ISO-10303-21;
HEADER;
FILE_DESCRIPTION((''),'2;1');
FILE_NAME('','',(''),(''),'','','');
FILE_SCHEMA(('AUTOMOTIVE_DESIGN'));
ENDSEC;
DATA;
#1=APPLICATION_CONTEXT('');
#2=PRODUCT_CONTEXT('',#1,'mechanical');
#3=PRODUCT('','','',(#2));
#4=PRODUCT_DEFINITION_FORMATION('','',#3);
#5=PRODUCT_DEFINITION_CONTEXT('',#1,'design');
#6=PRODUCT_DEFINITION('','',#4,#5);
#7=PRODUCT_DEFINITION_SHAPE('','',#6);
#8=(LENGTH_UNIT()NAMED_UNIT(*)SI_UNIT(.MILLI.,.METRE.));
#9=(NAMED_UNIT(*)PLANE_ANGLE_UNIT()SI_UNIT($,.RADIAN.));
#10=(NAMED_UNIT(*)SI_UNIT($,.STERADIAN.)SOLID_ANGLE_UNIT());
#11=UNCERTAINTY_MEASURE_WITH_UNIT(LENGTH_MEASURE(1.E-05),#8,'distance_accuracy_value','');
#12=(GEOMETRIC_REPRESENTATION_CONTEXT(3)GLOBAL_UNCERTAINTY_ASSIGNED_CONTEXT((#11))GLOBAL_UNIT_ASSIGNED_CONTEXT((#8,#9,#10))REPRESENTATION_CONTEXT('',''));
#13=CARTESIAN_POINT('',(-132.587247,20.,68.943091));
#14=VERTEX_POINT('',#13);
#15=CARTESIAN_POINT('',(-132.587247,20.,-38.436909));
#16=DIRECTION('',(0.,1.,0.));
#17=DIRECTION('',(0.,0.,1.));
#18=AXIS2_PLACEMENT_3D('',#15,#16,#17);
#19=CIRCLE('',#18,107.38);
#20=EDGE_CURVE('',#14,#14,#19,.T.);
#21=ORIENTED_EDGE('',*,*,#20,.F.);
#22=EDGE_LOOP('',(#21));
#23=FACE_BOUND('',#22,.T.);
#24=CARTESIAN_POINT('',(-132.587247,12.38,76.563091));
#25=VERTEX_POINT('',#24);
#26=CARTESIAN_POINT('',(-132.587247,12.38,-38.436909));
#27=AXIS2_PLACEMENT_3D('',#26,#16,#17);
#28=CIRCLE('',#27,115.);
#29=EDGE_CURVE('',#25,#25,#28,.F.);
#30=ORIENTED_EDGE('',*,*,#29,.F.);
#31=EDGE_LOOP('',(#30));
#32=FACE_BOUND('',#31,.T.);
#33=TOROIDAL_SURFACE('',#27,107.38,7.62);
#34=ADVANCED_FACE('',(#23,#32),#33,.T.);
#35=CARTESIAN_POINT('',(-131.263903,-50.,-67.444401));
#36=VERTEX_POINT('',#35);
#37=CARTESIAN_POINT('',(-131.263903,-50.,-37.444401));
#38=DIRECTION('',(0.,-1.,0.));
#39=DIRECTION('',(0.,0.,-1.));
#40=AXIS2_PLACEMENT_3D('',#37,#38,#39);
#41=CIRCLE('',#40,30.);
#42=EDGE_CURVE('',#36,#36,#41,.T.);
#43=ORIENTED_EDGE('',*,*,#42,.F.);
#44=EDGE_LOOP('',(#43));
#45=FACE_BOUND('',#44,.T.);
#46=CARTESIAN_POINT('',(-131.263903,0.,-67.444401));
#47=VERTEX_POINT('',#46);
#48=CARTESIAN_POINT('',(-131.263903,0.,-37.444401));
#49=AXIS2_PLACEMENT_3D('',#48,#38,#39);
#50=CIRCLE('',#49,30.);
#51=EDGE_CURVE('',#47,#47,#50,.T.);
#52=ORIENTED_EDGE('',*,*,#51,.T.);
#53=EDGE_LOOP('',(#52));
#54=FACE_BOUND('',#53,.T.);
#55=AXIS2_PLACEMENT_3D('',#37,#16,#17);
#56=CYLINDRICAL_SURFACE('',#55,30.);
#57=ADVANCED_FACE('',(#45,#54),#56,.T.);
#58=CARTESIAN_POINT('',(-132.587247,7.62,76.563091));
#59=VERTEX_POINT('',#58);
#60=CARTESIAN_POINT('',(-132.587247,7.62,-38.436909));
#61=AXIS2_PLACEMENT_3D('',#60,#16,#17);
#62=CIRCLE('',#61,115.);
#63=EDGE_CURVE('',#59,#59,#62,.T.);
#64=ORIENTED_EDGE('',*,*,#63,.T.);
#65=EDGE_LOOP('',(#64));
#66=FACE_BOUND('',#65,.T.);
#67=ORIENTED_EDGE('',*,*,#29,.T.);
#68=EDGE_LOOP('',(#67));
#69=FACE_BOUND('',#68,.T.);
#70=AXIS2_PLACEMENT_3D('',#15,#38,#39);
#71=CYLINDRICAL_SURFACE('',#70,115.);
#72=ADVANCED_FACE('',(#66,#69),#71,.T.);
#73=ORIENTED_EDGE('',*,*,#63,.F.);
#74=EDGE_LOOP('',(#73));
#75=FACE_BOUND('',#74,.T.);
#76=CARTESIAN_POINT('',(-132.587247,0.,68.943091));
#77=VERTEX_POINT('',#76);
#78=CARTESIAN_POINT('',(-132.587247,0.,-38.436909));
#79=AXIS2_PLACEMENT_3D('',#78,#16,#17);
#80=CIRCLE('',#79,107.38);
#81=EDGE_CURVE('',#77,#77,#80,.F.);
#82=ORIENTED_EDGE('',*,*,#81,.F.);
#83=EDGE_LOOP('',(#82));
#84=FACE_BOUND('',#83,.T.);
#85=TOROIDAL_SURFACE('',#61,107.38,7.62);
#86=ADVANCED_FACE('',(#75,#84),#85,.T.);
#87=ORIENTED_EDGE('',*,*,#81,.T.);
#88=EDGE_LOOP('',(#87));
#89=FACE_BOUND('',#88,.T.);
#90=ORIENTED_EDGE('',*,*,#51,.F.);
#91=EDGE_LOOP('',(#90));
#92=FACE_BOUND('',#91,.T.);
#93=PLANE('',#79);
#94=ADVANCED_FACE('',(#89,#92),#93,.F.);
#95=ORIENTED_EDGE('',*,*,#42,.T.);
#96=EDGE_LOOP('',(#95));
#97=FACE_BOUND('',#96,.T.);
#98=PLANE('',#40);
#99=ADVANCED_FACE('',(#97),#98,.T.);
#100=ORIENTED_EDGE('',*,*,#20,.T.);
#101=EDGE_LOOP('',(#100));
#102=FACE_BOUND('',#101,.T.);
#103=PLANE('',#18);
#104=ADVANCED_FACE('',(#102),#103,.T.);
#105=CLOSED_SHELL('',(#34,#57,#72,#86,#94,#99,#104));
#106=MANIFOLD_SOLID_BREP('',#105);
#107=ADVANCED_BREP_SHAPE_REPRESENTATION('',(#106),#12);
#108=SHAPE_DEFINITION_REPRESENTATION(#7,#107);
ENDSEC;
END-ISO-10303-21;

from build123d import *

# Parameters (mm, degrees)
SKETCH1_R           = 115
BOSS_EXTRUDE4_DEPTH = 20
SKETCH4_R           = 30
BOSS_EXTRUDE5_DEPTH = 50
FILLET1_R           = 7.62


with BuildPart() as part:
    # Sketch1 → Boss-Extrude4 (new body)
    with BuildSketch(Plane(origin=(0, 0, 0), x_dir=(1, 0, 0), z_dir=(0, 1, 0))):
        with Locations(Location((-132.587246663, 38.436908881, 0), (0, 0, 270))):
            Circle(SKETCH1_R)
    extrude(amount=BOSS_EXTRUDE4_DEPTH)

    # Sketch4 → Boss-Extrude5 (add)
    with BuildSketch(Plane(origin=(0, 0, 0), x_dir=(-1, 0, 0), z_dir=(0, -1, 0))):
        with Locations(Location((131.263903024, 37.444401151, 0), (0, 0, 90))):
            Circle(SKETCH4_R)
    extrude(amount=BOSS_EXTRUDE5_DEPTH)

    # Fillet1
    fillet1_edges = [part.edges().sort_by_distance(p)[0] for p in [
        (-132.587246663, 0, -153.436908881),
        (-132.587246663, 20, -153.436908881),
    ]]
    fillet(fillet1_edges, radius=FILLET1_R)


solid = part.part
